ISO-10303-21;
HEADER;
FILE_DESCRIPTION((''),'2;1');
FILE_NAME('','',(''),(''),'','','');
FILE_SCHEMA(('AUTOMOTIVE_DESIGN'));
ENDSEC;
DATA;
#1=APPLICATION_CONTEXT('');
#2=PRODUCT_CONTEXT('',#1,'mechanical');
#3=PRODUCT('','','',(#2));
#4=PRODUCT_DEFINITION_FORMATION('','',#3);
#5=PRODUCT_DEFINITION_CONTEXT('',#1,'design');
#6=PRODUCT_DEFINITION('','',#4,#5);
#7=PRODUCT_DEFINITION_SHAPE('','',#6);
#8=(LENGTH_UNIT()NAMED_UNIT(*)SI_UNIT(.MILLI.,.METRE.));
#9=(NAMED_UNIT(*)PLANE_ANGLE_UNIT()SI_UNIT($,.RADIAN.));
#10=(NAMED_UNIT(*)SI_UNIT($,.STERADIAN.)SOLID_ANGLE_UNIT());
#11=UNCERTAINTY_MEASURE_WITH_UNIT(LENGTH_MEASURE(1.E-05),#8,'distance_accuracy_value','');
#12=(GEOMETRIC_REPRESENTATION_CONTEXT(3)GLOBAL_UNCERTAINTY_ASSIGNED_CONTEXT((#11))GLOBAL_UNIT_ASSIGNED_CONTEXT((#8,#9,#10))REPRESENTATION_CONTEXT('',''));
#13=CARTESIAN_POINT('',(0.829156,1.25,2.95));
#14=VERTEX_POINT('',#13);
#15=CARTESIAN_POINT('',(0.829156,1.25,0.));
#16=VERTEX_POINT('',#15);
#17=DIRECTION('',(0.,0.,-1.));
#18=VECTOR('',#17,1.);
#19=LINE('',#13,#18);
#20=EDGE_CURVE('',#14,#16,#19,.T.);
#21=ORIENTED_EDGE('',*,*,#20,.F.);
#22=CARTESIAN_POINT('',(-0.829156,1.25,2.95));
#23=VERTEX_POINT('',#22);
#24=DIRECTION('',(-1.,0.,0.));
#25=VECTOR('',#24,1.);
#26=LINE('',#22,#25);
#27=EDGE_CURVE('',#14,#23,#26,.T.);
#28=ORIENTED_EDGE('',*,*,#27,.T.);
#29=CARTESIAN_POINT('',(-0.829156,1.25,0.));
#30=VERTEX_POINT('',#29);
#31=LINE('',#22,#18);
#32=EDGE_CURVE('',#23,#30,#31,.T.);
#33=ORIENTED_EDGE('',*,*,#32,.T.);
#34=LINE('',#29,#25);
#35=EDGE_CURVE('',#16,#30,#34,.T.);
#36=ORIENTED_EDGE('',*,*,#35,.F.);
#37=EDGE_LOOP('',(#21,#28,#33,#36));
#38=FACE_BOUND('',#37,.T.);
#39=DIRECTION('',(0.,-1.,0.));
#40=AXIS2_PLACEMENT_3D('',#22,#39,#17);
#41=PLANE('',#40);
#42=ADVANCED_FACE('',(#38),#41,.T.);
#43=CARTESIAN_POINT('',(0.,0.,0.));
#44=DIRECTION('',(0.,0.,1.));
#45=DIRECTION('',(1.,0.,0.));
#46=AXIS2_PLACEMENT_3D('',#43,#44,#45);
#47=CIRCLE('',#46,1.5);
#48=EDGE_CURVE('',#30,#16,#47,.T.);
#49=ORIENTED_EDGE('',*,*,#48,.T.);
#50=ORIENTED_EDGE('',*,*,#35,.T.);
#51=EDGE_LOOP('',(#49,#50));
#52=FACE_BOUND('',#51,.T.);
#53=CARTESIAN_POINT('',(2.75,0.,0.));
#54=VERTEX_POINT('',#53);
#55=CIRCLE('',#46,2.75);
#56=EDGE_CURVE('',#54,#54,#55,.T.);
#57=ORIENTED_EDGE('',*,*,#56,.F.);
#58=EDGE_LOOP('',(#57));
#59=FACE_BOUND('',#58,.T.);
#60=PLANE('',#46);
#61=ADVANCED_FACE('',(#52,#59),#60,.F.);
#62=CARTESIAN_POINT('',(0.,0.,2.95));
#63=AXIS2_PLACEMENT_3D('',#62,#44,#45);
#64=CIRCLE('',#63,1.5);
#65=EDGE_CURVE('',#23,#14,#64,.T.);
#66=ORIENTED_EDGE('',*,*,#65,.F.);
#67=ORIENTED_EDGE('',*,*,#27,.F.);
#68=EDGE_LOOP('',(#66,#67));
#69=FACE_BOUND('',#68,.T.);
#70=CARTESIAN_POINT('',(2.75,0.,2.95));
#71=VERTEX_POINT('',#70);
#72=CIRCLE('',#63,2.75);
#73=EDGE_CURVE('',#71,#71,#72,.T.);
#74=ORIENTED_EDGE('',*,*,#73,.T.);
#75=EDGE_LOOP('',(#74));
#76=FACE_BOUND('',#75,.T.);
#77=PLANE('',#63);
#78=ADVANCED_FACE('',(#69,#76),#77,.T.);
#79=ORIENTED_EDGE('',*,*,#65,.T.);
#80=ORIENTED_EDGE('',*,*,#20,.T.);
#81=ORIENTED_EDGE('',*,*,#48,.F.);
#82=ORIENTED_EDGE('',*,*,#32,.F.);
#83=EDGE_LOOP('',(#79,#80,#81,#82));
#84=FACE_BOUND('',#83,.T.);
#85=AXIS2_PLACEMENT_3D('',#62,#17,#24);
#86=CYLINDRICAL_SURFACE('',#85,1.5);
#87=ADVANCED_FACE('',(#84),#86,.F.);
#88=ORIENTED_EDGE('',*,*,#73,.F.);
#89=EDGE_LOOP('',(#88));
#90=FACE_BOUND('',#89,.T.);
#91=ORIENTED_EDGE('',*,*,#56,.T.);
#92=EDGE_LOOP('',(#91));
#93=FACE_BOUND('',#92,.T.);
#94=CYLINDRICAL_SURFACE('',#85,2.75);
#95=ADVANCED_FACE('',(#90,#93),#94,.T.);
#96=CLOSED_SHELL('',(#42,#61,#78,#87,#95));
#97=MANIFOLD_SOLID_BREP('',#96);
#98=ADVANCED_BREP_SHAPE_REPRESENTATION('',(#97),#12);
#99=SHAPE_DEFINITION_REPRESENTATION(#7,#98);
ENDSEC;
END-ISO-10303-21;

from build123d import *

# Parameters (mm, degrees)
SKETCH_1_R      = 2.75
EXTRUDE_1_DEPTH = 2.95


with BuildPart() as part:
    # 草图1 → 凸台-拉伸1 (new body)
    with BuildSketch(Plane.XY):
        Circle(SKETCH_1_R)
        with BuildLine():
            Line((-0.829156198, 1.25), (0.829156198, 1.25))
            ThreePointArc((0.829156198, 1.25), (0, -1.5), (-0.829156198, 1.25))
        make_face(mode=Mode.SUBTRACT)
    extrude(amount=EXTRUDE_1_DEPTH)


solid = part.part
